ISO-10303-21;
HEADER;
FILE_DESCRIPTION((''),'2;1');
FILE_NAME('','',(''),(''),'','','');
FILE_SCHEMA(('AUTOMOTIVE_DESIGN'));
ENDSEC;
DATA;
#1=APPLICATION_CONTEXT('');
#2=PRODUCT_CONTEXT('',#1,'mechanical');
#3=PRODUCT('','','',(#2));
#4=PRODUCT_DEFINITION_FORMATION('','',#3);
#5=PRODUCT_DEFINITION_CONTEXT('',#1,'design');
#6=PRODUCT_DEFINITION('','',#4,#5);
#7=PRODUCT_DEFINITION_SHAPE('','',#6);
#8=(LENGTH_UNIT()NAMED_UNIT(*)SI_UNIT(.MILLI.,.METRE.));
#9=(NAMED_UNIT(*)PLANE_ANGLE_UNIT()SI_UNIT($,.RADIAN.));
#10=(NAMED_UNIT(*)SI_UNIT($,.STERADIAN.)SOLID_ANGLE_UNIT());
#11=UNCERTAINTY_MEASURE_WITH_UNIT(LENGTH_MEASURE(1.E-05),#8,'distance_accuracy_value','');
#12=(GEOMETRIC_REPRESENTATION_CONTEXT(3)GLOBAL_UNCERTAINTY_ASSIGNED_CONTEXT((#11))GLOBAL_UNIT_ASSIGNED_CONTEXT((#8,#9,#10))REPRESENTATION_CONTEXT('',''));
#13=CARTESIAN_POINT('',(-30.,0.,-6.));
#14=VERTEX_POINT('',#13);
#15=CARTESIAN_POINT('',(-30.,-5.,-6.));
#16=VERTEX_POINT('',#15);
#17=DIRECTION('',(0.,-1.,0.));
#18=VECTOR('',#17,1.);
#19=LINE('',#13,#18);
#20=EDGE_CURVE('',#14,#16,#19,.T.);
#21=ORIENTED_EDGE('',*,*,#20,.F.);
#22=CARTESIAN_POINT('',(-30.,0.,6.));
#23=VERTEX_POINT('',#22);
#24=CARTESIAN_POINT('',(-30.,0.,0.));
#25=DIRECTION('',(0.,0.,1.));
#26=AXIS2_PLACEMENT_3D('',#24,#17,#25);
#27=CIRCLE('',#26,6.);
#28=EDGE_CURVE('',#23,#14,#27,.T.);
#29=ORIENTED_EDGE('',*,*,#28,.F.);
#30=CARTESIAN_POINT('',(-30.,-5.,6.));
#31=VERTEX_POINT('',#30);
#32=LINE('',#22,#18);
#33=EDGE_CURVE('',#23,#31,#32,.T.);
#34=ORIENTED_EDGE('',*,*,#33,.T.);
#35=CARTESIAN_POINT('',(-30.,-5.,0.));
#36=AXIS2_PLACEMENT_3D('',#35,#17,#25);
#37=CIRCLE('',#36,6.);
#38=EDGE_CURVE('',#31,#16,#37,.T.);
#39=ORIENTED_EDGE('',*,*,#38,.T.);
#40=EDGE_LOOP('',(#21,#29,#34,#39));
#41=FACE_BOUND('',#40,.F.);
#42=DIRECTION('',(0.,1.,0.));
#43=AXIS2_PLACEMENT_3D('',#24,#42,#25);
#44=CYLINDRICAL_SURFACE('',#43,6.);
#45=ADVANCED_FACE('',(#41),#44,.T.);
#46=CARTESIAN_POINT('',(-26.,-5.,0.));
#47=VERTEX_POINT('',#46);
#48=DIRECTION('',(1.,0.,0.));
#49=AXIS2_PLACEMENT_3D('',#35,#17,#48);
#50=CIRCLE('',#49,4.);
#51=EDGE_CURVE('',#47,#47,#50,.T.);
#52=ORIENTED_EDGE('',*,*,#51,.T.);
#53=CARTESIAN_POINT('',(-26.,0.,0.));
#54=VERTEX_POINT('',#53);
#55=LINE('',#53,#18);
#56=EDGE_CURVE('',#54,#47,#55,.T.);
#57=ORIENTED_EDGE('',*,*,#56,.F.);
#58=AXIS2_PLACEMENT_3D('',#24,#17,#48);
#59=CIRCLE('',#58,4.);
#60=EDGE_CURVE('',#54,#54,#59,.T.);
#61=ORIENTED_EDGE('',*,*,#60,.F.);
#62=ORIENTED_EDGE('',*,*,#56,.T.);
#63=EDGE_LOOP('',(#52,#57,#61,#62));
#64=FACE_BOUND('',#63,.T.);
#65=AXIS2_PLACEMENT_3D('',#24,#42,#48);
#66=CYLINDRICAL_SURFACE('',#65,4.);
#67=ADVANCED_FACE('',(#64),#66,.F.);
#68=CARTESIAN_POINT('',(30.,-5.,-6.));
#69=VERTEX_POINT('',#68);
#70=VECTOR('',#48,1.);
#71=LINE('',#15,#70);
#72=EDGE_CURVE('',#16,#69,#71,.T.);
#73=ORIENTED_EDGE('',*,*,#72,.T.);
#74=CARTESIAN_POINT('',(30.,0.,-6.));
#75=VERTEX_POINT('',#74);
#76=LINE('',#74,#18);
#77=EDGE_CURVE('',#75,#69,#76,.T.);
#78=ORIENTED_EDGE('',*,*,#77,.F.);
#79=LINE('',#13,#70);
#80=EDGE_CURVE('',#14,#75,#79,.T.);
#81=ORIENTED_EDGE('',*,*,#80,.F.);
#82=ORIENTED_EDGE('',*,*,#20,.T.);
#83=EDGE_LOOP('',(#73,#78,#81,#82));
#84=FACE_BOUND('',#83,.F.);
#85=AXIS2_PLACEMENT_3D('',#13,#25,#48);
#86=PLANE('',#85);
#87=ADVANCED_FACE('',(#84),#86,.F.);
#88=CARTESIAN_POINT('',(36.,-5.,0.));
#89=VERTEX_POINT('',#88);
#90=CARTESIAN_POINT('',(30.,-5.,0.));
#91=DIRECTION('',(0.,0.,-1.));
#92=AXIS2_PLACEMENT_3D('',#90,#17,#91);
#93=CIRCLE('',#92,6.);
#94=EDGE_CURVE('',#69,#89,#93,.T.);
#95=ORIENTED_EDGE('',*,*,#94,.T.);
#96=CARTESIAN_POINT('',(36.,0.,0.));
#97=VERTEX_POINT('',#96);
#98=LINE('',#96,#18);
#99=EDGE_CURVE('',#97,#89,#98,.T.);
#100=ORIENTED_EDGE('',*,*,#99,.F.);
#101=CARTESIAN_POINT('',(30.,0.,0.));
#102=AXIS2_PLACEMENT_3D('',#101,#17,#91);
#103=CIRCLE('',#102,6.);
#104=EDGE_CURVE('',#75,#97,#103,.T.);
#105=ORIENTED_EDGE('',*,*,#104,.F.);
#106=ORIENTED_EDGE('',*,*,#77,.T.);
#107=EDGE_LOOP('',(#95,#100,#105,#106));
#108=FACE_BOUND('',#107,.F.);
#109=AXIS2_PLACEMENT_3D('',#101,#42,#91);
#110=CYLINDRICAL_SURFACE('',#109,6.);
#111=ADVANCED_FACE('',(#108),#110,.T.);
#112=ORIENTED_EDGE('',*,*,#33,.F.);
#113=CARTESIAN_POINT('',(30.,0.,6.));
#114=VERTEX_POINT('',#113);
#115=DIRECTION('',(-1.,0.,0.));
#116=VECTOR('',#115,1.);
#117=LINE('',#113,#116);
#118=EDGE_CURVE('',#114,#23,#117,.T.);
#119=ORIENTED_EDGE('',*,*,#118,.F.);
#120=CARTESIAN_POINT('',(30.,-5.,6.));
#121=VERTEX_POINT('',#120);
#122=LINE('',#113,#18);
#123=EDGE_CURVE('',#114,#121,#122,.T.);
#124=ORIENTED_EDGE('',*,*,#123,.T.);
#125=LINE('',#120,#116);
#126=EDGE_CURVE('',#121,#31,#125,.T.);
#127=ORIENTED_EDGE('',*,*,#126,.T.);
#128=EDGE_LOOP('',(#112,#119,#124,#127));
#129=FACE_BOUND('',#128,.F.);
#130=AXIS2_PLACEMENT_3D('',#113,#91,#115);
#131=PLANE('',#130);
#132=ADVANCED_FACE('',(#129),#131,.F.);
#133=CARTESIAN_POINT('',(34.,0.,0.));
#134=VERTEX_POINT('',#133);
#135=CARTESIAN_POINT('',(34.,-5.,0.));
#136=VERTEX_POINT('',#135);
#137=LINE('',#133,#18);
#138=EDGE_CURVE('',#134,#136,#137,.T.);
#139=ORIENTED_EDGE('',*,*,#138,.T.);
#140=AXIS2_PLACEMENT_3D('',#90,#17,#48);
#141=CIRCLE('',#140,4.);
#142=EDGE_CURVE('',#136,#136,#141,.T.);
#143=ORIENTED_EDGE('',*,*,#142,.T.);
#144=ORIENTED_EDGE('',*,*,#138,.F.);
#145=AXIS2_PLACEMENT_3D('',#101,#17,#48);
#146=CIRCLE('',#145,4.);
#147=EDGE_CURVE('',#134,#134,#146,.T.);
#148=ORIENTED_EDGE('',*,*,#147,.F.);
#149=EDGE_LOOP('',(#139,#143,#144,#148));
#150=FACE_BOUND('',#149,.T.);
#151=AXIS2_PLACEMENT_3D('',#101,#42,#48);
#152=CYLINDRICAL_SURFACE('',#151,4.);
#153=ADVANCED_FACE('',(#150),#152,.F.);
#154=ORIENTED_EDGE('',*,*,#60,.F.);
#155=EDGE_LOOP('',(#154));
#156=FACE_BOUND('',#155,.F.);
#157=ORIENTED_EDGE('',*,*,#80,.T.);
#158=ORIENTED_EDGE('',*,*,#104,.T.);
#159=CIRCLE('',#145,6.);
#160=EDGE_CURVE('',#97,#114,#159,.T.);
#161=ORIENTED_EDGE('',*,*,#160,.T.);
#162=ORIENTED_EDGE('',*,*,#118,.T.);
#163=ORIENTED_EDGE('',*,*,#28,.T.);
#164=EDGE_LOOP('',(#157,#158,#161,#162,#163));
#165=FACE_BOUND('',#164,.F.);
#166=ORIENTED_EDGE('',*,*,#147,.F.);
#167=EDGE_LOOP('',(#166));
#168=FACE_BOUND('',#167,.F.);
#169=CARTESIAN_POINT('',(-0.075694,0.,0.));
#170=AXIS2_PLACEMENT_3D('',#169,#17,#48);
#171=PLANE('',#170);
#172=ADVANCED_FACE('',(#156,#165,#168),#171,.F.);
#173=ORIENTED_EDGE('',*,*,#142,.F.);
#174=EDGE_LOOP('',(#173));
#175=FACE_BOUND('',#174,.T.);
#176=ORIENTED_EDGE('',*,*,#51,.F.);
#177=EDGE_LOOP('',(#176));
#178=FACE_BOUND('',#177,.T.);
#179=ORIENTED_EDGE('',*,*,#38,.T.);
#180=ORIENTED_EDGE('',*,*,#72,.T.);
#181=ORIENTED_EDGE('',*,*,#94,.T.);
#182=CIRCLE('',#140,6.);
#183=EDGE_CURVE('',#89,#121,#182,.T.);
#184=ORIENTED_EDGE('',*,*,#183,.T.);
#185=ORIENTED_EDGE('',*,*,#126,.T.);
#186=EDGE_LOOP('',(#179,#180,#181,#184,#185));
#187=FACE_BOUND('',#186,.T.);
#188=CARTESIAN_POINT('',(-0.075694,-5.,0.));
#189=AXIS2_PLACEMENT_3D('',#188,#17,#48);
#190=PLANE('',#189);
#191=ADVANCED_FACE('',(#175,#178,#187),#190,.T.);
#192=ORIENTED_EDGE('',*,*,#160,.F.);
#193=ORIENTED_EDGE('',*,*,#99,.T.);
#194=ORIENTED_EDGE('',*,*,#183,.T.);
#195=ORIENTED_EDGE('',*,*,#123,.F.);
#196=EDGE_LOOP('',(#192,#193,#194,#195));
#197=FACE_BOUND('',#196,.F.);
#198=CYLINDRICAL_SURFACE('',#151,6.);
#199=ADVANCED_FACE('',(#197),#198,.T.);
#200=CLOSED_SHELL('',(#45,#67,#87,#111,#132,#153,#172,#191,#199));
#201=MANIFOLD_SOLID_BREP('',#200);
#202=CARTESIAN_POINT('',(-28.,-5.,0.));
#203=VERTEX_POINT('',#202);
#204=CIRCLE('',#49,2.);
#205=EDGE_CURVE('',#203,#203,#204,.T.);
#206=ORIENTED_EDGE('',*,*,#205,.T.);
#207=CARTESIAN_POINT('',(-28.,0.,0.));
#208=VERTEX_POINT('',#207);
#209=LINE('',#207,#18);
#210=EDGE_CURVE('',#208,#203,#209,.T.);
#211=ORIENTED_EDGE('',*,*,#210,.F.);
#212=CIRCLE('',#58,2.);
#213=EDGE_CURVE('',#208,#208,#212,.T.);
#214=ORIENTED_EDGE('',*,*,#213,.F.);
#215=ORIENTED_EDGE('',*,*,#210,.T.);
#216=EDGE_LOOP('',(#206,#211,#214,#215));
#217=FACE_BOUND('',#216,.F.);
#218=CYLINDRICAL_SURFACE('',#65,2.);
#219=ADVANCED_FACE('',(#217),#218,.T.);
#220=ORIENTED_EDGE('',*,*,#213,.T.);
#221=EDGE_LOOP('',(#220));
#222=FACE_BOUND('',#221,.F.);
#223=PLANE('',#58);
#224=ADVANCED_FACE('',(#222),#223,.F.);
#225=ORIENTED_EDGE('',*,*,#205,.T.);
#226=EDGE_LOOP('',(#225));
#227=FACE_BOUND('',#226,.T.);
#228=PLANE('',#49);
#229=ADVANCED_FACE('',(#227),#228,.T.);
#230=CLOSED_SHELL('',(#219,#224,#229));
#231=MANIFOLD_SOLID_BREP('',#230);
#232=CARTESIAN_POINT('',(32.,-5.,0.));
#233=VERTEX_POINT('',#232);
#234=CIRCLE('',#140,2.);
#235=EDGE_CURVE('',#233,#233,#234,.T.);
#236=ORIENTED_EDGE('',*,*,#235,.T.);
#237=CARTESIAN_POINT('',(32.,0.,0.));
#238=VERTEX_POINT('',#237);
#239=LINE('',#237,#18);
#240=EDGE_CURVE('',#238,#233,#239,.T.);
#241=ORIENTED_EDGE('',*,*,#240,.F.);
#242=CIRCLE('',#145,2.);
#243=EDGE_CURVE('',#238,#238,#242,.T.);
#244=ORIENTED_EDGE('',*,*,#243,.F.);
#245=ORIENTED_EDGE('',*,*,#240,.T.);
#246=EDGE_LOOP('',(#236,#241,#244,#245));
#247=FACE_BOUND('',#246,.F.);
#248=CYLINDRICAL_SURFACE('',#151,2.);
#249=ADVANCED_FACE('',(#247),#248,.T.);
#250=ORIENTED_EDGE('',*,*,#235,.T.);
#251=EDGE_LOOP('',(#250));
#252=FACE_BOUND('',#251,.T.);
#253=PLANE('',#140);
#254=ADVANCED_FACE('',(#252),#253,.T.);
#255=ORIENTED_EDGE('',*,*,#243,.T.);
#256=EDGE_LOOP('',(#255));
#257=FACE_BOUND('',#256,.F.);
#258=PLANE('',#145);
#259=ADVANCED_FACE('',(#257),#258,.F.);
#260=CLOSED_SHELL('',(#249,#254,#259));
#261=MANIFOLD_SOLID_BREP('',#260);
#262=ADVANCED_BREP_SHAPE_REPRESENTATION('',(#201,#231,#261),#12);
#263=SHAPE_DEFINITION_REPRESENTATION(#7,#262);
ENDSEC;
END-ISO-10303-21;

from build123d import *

# Parameters (mm, degrees)
F0_R     = 4
F1_DEPTH = 5
F0_R_2   = 2


with BuildPart() as f1:
    # F0 (on Front) → F1 (new body)
    with BuildSketch(Plane.XZ):
        with BuildLine():
            ThreePointArc((-30, 6), (-25.7573593129, 4.2426406871), (-24, 0))
            ThreePointArc((-24, 0), (-25.7573593129, -4.2426406871), (-30, -6))
            Line((-30, -6), (0, -6))
            Line((0, -6), (30, -6))
            ThreePointArc((30, -6), (24, 0), (30, 6))
            Line((30, 6), (0, 6))
            Line((0, 6), (-30, 6))
        make_face()
        with BuildLine():
            ThreePointArc((-30, -6), (-25.7573593129, -4.2426406871), (-24, 0))
            ThreePointArc((-24, 0), (-25.7573593129, 4.2426406871), (-30, 6))
            ThreePointArc((-30, 6), (-36, 0), (-30, -6))
        make_face()
        with Locations((-30, 0)):
            Circle(F0_R, mode=Mode.SUBTRACT)
        with BuildLine():
            ThreePointArc((36, 0), (34.2426406871, 4.2426406871), (30, 6))
            ThreePointArc((30, 6), (24, 0), (30, -6))
            ThreePointArc((30, -6), (34.2426406871, -4.2426406871), (36, 0))
        make_face()
        with Locations((30, 0)):
            Circle(F0_R, mode=Mode.SUBTRACT)
    extrude(amount=F1_DEPTH)


with BuildPart() as f1b:
    # F0 (on Front) → F1, piece 2 (new body)
    with BuildSketch(Plane.XZ):
        with Locations((-30, 0)):
            Circle(F0_R_2)
    extrude(amount=F1_DEPTH)


with BuildPart() as f1c:
    # F0 (on Front) → F1, piece 3 (new body)
    with BuildSketch(Plane.XZ):
        with Locations((30, 0)):
            Circle(F0_R_2)
    extrude(amount=F1_DEPTH)


solid = Compound([f1.part, f1b.part, f1c.part])
